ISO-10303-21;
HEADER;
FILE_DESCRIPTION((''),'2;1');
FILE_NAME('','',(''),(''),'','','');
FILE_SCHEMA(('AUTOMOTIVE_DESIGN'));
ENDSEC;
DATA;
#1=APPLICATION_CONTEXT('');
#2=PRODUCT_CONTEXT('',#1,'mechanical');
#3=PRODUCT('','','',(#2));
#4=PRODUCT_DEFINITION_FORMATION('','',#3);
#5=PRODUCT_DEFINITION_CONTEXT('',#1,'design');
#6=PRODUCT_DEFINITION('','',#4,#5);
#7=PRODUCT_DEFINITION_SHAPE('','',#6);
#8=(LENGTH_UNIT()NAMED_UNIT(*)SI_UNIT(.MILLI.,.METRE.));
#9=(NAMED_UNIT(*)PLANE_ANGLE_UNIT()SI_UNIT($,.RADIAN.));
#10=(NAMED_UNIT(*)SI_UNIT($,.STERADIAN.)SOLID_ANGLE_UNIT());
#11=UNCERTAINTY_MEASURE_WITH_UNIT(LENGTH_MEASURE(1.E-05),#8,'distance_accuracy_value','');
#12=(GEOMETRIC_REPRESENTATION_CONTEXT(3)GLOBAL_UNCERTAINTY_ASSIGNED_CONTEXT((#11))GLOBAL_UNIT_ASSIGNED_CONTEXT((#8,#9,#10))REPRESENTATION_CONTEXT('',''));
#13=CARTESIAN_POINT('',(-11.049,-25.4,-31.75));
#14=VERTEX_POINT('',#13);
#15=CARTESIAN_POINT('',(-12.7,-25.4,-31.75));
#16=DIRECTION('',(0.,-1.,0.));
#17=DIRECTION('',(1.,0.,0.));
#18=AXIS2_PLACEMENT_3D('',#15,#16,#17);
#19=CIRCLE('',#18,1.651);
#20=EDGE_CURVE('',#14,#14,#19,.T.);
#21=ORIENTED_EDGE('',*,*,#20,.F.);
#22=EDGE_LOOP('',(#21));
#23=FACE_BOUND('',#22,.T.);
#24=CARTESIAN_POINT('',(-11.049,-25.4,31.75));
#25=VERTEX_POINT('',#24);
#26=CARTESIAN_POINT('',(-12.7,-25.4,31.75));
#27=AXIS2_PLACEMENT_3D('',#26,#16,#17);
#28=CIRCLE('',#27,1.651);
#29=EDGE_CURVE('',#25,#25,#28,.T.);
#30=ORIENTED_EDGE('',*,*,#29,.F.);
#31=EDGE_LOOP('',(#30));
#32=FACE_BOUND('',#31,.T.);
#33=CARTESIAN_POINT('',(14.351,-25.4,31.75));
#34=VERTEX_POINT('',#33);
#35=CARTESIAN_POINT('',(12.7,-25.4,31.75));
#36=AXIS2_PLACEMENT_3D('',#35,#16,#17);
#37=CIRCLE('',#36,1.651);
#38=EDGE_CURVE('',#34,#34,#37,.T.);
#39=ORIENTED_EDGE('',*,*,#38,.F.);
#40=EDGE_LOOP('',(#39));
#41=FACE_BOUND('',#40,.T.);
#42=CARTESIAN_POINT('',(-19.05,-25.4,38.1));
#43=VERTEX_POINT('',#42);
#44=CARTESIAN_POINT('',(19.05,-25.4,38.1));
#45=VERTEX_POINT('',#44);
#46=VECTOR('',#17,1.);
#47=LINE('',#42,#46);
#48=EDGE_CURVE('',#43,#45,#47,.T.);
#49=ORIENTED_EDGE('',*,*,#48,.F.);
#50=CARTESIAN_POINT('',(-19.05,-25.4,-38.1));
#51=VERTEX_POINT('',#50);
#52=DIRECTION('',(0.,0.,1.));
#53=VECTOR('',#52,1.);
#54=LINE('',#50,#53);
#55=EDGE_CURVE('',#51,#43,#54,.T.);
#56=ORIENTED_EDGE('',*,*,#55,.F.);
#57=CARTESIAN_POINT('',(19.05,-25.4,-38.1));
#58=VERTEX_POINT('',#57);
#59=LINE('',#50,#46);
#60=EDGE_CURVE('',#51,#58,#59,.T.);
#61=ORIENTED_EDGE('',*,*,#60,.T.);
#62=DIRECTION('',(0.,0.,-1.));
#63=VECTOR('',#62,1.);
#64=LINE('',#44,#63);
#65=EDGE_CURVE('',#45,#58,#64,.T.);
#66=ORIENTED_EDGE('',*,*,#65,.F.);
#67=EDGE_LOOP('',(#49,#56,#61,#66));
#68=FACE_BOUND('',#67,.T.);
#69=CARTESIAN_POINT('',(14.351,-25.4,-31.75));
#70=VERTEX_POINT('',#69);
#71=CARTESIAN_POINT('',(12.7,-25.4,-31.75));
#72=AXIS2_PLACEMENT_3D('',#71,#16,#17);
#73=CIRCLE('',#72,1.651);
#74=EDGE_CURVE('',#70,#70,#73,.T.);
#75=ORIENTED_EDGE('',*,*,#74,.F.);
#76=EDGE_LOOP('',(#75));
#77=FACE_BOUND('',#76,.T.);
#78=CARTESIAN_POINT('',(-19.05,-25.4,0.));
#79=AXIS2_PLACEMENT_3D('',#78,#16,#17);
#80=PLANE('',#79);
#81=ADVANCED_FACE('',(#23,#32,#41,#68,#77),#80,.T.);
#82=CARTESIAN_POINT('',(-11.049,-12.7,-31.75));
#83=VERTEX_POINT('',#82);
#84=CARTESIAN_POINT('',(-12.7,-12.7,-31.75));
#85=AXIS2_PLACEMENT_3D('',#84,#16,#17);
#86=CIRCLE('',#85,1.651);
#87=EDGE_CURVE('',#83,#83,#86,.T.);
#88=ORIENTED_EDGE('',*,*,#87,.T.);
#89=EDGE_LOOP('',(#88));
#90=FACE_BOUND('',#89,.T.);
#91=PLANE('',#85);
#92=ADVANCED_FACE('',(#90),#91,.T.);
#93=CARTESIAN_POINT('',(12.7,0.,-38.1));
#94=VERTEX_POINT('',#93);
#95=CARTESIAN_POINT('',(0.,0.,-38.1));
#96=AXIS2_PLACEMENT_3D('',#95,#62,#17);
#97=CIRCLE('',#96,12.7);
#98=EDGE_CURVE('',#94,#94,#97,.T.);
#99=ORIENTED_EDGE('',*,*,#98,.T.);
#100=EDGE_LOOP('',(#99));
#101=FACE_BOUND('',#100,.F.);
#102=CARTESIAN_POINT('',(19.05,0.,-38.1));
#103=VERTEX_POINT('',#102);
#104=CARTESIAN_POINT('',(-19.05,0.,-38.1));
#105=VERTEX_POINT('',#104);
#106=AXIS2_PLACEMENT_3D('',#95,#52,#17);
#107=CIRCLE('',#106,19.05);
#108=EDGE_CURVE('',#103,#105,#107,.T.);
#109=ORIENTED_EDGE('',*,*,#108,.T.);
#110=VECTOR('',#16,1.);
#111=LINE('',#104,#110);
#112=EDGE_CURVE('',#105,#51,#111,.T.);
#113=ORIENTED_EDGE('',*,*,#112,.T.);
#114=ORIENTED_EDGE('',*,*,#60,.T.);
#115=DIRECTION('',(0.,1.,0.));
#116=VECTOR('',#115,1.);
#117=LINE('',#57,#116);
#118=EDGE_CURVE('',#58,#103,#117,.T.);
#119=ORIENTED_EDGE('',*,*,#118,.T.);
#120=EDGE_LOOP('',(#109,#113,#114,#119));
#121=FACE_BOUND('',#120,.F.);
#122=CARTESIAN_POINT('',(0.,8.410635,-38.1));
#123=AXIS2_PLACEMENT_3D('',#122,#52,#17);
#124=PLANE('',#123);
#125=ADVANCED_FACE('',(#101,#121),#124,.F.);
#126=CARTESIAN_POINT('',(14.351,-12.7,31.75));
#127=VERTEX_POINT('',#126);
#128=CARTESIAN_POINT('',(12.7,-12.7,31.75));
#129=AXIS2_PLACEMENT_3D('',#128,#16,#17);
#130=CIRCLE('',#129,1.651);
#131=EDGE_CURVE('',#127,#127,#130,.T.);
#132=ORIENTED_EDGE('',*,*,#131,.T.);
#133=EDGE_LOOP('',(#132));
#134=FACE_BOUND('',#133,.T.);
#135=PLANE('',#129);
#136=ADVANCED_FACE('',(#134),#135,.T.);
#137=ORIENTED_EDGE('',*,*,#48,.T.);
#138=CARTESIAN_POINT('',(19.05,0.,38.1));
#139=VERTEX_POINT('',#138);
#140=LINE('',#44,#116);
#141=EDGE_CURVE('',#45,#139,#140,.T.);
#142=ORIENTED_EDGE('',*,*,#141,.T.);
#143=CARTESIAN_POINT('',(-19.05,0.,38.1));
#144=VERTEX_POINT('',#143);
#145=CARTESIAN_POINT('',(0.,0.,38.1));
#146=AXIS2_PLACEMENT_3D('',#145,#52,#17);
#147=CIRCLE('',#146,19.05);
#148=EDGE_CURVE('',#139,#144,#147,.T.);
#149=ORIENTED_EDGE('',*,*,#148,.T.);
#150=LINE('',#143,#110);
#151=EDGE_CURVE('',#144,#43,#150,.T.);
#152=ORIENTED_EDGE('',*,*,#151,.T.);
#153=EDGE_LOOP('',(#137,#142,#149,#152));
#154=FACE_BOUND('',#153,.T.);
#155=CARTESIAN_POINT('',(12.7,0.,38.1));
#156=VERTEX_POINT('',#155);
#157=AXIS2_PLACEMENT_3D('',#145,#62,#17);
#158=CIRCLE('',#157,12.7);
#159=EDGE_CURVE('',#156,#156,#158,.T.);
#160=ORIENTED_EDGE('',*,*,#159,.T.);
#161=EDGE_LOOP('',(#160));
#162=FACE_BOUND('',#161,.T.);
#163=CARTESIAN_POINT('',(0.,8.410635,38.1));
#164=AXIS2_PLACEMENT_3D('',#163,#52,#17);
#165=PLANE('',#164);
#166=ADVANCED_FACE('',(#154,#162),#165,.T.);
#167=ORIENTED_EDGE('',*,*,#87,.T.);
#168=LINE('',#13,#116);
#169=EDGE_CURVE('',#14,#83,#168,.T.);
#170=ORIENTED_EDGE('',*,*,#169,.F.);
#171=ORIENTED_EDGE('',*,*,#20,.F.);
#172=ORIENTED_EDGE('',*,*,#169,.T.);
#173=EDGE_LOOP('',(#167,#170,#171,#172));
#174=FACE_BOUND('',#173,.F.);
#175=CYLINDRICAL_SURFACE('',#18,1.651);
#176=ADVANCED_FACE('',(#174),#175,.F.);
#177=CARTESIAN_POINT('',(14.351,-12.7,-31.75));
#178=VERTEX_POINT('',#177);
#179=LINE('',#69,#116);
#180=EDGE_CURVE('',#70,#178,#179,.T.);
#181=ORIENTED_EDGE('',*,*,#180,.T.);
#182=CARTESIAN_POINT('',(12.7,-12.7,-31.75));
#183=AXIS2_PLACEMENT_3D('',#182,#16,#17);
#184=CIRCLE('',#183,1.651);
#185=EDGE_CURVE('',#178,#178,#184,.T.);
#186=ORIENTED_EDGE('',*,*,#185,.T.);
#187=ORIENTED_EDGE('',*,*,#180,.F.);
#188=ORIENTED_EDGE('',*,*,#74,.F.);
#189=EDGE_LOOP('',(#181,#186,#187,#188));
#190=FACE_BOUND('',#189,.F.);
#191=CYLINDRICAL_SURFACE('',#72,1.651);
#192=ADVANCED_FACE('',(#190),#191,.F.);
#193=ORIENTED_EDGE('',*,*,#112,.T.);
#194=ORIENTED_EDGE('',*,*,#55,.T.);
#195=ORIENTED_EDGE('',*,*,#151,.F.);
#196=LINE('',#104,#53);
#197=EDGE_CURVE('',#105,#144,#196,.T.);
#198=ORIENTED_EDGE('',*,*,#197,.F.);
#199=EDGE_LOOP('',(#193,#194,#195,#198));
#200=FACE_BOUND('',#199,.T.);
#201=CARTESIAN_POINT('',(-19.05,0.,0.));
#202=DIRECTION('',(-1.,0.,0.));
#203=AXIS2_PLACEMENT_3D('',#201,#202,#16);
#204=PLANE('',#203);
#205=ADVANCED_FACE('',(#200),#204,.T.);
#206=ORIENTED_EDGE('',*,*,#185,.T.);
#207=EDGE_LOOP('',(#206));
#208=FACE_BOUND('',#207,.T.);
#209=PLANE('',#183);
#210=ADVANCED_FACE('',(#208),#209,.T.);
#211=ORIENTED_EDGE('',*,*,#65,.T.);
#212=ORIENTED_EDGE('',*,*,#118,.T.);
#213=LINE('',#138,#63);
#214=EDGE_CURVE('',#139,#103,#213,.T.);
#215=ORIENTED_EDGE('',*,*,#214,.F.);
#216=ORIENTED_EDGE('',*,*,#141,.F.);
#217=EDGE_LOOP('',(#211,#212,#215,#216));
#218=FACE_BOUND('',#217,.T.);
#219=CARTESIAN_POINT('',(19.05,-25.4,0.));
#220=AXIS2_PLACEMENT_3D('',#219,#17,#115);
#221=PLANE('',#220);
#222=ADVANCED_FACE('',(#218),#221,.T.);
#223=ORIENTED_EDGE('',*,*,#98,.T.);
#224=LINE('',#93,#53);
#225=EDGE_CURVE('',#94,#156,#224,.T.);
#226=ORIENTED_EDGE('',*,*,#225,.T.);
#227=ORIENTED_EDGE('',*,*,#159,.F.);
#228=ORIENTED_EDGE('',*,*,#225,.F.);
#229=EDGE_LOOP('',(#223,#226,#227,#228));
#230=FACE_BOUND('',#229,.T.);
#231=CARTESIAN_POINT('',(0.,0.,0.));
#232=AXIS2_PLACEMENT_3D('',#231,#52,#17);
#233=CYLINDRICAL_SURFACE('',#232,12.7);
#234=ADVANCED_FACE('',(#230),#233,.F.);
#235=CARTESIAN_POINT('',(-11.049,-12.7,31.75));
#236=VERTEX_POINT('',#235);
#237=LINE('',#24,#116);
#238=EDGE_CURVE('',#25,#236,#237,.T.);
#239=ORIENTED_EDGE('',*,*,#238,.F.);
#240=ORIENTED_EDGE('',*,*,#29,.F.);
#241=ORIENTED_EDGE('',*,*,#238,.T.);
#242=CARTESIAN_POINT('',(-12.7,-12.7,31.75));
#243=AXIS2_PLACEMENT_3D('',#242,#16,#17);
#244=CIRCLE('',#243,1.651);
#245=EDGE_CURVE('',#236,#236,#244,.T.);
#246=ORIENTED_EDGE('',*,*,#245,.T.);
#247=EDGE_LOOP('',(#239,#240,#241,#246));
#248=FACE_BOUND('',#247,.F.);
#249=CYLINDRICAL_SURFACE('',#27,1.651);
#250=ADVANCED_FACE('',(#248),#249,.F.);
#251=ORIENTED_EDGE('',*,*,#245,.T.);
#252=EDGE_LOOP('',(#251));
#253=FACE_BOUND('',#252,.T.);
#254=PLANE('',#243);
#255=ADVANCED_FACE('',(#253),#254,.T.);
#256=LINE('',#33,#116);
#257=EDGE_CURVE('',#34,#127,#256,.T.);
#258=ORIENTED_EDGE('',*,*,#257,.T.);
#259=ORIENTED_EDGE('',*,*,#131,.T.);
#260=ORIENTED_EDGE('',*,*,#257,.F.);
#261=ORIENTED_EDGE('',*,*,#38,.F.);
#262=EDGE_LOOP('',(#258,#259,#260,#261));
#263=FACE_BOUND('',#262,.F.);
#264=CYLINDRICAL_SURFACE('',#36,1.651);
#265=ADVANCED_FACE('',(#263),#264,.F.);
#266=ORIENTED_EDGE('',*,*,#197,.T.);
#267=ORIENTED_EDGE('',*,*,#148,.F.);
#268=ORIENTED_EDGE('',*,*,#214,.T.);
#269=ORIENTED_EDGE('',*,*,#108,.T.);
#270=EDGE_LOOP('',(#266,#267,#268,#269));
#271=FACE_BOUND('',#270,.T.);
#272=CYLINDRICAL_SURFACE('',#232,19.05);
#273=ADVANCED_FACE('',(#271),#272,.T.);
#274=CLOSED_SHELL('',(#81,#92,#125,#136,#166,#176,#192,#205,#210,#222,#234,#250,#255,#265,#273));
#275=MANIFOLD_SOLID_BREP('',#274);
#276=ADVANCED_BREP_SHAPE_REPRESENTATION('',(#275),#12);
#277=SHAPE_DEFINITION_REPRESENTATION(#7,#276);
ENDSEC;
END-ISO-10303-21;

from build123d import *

# Parameters (mm, degrees)
F1_DEPTH = 38.1
F2_R     = 1.651
F3_DEPTH = 12.7


with BuildPart() as f1:
    # F0 (on Top) → F1 (new body, symmetric)
    with BuildSketch(Plane.XY):
        with BuildLine():
            Line((12.7, 0), (19.05, 0))
            ThreePointArc((19.05, 0), (0, 19.05), (-19.05, 0))
            Line((-19.05, 0), (-12.7, 0))
            ThreePointArc((-12.7, 0), (0, 12.7), (12.7, 0))
        make_face()
        with BuildLine():
            Line((19.05, -25.4), (19.05, 0))
            ThreePointArc((19.05, 0), (0, -19.05), (-19.05, 0))
            Line((-19.05, 0), (-19.05, -25.4))
            Line((-19.05, -25.4), (19.05, -25.4))
        make_face()
        with BuildLine():
            ThreePointArc((-19.05, 0), (0, -19.05), (19.05, 0))
            Line((19.05, 0), (12.7, 0))
            ThreePointArc((12.7, 0), (0, -12.7), (-12.7, 0))
            Line((-12.7, 0), (-19.05, 0))
        make_face()
    extrude(amount=F1_DEPTH, both=True)

    # F2 (on face) → F3 (cut)
    with BuildSketch(Plane.XZ.offset(25.4)):
        with Locations((12.7, 31.75)):
            Circle(F2_R)
        with Locations((-12.7, 31.75)):
            Circle(F2_R)
        with Locations((-12.7, -31.75)):
            Circle(F2_R)
        with Locations((12.7, -31.75)):
            Circle(F2_R)
    extrude(amount=-F3_DEPTH, mode=Mode.SUBTRACT)


solid = f1.part
